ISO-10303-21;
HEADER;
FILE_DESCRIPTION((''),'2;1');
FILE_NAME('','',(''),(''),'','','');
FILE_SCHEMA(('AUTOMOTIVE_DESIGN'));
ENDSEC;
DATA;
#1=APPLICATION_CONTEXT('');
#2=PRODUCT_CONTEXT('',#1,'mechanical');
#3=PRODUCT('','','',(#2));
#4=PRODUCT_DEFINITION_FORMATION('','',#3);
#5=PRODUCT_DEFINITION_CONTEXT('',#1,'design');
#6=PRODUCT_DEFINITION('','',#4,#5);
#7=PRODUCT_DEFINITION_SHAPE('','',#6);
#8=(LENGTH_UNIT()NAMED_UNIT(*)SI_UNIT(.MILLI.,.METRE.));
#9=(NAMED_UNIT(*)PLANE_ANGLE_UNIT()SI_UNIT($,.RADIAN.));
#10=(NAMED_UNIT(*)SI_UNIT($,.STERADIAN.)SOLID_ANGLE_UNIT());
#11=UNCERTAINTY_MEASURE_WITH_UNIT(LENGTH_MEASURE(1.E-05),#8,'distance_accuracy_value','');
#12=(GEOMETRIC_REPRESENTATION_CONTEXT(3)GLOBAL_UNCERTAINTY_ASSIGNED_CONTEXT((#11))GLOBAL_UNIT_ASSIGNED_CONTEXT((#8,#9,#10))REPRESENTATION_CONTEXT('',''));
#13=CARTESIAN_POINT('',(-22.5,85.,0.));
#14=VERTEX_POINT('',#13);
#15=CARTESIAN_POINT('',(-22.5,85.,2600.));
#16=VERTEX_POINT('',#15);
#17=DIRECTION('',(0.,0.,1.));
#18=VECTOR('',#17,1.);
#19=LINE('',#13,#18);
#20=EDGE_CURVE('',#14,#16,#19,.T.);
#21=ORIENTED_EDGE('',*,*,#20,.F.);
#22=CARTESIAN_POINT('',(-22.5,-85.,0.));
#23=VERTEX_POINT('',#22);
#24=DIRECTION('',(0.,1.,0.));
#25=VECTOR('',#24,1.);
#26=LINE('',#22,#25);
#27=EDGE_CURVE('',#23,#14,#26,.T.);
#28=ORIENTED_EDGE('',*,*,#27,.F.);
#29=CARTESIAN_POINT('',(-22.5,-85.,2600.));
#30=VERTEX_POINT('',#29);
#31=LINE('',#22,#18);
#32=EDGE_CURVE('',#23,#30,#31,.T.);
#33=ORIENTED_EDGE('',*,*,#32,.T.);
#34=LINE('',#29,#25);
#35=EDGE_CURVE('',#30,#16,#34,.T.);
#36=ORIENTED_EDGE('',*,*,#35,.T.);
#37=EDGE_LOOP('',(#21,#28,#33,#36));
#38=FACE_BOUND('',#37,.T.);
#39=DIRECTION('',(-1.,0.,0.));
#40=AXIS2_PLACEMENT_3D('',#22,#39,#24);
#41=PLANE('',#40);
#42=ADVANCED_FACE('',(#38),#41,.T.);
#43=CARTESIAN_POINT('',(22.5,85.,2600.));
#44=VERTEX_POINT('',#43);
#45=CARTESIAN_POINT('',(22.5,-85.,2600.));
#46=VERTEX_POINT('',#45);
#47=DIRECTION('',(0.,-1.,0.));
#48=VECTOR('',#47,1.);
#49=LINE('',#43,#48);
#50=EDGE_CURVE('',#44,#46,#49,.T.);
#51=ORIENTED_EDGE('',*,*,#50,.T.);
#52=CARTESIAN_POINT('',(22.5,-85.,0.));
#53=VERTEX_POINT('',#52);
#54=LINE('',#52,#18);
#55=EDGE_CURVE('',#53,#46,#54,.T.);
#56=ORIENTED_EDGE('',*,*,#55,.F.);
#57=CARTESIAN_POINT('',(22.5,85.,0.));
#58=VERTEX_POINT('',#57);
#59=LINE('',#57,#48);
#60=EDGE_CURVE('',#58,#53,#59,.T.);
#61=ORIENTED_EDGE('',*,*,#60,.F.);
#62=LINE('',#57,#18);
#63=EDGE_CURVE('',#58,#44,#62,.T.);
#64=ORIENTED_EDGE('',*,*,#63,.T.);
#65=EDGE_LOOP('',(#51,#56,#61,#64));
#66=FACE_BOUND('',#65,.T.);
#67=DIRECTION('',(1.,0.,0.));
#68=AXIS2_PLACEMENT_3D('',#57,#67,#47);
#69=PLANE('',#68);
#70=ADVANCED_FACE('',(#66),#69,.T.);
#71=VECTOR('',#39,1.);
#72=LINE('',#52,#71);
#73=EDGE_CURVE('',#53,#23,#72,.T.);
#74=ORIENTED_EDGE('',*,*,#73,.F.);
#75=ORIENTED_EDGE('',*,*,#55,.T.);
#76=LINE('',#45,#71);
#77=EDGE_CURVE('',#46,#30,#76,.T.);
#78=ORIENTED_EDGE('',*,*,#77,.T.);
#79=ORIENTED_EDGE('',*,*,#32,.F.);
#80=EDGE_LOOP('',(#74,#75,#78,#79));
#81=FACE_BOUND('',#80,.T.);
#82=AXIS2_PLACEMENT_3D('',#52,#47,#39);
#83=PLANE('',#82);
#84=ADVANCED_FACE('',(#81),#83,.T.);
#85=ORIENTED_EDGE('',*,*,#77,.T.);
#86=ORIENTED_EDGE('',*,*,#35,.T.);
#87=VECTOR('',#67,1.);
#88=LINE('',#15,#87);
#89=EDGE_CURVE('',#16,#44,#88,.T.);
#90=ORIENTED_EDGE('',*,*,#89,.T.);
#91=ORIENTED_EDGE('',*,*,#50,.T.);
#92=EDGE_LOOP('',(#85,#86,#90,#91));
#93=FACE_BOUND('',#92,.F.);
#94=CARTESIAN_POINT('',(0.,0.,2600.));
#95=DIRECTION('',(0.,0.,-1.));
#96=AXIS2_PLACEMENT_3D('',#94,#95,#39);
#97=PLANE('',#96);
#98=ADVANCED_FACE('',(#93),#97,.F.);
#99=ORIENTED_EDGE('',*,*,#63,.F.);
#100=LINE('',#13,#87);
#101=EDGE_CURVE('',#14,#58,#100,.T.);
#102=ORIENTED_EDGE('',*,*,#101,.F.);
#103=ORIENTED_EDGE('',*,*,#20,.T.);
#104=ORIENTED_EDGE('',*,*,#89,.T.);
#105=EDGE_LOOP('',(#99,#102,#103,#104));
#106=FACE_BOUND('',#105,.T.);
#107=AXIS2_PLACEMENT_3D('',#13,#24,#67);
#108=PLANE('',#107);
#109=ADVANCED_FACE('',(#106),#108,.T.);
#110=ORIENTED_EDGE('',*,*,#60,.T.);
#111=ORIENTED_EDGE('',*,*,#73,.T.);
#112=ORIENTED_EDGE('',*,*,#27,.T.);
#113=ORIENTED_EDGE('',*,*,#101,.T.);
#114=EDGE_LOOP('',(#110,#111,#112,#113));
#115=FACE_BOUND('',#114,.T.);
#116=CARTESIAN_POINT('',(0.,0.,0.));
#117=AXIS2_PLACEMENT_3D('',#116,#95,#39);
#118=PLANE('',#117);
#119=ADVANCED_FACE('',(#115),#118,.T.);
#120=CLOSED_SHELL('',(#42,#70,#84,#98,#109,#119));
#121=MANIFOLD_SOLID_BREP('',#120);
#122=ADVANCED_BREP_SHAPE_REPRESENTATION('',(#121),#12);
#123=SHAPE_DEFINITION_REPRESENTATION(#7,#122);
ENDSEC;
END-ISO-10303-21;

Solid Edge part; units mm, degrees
sketch "Sketch1" plane through (0, 0, 0) normal (0, 0, -1) x (-1, 0, 0)
  line L0 (-22.5, -85) -> (22.5, -85)
  line L1 (22.5, -85) -> (22.5, 85)
  line L2 (22.5, 85) -> (-22.5, 85)
  line L3 (-22.5, 85) -> (-22.5, -85)
extrude "Protrusion1" add sketch "Sketch1" against normal blind 2600
properties material "Wood, Pine"
